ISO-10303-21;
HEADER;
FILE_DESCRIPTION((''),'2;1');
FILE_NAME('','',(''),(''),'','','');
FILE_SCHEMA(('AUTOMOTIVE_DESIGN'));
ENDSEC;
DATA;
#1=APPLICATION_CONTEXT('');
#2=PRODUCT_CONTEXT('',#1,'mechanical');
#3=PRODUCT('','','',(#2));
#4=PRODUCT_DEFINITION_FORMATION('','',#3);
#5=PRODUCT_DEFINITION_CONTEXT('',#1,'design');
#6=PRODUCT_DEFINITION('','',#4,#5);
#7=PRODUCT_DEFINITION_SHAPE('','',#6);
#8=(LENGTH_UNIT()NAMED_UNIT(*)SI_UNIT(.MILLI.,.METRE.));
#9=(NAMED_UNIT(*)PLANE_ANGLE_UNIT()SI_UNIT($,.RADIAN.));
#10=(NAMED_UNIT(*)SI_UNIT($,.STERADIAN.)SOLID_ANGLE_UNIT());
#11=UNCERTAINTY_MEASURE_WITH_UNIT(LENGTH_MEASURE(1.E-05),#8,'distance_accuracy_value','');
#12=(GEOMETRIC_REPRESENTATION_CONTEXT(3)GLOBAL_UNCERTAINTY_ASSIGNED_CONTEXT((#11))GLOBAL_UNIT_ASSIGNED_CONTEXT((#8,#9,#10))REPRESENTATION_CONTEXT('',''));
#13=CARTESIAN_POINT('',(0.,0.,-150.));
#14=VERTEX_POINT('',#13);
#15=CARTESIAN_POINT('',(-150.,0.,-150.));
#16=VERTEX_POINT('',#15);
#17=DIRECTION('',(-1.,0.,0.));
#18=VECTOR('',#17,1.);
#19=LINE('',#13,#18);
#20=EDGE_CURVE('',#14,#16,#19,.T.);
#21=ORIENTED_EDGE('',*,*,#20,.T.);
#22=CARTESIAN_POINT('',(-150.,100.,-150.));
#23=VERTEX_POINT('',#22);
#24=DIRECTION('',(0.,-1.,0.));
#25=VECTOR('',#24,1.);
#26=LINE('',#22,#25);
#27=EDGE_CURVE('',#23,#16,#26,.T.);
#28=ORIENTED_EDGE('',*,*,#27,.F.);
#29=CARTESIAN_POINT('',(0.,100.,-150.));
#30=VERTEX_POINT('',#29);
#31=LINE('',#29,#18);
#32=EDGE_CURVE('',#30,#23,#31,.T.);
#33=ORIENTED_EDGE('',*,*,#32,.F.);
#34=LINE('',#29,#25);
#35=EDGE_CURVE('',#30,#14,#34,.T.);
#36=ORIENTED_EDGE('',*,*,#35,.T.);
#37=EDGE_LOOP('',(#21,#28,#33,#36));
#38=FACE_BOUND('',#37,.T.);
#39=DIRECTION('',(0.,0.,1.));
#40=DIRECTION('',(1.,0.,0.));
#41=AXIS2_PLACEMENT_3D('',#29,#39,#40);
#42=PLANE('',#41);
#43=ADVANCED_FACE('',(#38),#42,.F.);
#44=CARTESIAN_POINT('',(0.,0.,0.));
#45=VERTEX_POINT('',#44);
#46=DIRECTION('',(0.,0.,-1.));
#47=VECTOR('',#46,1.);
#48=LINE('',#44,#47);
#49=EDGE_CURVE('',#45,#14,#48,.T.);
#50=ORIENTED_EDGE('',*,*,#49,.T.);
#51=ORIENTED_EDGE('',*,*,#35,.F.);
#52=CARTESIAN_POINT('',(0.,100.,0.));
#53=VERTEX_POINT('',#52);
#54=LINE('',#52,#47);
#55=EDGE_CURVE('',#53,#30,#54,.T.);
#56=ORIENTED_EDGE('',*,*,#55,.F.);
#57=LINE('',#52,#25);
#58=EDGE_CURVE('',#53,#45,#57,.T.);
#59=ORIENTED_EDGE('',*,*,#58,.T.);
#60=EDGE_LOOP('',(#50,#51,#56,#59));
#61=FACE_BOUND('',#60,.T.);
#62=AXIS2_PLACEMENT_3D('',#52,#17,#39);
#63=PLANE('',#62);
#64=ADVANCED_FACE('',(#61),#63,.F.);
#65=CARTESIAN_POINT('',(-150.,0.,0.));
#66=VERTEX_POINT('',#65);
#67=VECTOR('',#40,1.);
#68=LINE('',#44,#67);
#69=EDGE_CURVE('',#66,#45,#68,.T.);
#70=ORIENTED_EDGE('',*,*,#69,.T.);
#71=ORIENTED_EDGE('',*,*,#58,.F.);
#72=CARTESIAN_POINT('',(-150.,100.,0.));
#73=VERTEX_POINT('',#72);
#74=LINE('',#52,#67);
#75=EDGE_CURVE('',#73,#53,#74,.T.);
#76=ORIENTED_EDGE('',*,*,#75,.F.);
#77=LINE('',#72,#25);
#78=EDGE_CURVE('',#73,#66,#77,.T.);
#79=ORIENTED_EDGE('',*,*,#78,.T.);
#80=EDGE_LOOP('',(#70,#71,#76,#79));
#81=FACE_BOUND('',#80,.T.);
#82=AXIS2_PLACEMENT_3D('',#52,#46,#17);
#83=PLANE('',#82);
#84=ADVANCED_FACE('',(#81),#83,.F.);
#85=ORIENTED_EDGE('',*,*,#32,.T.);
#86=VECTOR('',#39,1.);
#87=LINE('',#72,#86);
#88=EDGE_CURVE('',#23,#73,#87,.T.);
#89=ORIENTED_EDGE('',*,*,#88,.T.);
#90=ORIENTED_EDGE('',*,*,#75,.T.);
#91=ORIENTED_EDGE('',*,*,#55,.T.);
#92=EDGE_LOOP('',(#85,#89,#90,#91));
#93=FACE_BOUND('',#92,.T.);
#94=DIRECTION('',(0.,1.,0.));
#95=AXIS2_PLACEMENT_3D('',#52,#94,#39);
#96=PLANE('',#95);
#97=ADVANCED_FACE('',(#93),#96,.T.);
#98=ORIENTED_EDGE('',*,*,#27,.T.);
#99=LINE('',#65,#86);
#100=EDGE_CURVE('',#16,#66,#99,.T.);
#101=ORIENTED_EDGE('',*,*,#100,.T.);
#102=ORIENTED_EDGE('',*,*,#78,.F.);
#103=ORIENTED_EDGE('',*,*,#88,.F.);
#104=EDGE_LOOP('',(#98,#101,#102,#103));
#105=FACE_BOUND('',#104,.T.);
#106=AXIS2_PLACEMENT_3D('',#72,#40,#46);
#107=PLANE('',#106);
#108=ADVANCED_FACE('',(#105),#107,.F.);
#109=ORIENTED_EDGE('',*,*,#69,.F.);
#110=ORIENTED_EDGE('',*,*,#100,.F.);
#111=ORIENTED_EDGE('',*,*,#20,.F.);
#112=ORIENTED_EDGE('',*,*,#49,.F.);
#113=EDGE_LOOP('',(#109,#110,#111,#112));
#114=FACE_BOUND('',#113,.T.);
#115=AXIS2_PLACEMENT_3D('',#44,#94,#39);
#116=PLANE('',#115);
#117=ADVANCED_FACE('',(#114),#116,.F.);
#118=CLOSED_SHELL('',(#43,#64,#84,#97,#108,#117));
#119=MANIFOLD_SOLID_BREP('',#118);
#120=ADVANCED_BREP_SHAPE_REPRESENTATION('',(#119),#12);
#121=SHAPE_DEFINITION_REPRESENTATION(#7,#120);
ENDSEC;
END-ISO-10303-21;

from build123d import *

# Parameters (mm, degrees)
SKETCH1_W      = 150
SKETCH1_H      = 150
EXTRUDE1_DEPTH = 100


with BuildPart() as part:
    # Sketch1 → Extrude1 (new body)
    with BuildSketch(Plane(origin=(0, 0, 0), x_dir=(1, 0, 0), z_dir=(0, 1, 0))):
        with Locations((-75, 75)):
            Rectangle(SKETCH1_W, SKETCH1_H)
    extrude(amount=EXTRUDE1_DEPTH)


solid = part.part
